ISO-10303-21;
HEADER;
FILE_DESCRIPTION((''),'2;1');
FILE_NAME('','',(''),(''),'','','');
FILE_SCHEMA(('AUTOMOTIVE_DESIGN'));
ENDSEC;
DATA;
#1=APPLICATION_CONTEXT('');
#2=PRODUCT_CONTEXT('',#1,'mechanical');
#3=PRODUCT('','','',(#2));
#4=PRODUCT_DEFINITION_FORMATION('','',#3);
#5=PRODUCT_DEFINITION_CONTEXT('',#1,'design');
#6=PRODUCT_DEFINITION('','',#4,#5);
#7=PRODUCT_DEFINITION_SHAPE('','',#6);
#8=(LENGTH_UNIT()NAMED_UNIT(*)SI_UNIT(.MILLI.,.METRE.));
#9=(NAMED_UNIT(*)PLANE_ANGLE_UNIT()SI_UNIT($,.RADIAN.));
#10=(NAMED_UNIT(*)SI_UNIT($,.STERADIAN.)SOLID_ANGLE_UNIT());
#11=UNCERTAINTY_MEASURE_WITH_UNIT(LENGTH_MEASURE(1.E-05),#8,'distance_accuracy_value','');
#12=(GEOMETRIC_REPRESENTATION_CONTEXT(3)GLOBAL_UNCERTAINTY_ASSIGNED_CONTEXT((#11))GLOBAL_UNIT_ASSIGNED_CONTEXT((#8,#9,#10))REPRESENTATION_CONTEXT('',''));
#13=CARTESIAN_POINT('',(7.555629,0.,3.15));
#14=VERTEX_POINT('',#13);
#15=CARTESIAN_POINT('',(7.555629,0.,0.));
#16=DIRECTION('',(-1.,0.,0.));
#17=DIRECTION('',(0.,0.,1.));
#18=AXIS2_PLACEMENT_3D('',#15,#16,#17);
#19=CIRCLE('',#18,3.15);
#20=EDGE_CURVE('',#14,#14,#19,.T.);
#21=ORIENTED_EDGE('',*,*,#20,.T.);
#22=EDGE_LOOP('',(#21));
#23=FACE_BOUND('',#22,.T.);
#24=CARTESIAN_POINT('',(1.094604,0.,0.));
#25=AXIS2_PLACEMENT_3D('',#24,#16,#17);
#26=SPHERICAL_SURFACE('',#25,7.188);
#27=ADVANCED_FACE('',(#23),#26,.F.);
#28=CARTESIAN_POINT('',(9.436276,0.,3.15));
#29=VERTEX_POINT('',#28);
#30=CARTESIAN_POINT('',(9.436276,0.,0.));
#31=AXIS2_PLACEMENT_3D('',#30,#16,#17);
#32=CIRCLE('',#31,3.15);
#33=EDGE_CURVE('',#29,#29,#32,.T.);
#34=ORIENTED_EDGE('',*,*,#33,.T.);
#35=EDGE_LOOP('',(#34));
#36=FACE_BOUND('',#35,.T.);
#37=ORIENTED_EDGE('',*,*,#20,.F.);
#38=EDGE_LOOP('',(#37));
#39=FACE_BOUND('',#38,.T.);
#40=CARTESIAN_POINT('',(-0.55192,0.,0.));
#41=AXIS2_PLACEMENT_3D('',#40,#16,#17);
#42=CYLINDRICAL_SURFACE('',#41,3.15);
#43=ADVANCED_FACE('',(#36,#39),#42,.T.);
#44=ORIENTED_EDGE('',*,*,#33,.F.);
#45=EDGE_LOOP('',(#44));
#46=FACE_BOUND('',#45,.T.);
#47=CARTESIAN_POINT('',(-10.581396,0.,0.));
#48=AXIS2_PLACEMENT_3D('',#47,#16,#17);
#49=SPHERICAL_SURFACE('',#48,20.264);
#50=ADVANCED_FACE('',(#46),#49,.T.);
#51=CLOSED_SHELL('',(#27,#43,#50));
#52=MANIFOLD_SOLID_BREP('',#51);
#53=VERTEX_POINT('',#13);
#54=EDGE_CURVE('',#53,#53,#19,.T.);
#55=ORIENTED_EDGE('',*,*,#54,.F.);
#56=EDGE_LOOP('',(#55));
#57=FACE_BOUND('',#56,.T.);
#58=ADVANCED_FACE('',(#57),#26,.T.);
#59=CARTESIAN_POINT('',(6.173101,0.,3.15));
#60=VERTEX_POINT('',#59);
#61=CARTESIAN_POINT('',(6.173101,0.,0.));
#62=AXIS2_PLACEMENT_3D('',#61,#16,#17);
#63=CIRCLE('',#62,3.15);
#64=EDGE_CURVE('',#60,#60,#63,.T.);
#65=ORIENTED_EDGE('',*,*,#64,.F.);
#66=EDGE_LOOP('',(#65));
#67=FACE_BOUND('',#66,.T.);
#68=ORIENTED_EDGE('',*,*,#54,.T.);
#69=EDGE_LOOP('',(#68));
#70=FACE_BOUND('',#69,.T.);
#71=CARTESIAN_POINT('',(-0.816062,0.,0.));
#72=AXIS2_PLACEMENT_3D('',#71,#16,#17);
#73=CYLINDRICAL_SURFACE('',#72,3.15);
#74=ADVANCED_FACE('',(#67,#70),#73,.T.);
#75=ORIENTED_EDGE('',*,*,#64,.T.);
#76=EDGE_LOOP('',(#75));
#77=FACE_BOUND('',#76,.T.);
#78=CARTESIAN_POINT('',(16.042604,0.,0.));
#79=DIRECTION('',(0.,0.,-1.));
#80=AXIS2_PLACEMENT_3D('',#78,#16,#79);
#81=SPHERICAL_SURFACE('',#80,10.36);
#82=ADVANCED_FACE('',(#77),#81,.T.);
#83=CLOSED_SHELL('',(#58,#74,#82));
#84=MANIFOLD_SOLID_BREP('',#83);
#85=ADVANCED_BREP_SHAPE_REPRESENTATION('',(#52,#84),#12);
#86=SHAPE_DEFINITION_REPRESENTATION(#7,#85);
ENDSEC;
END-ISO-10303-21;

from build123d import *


with BuildPart() as part:
    # 草图1 one side → 旋转1 (revolve)
    with BuildSketch(Plane(origin=(0, 0, 0), x_dir=(1, 0, 0), z_dir=(0, 1, 0)), mode=Mode.PRIVATE) as revolve_1_sk:
        with BuildLine():
            ThreePointArc((6.173100806, 3.15), (5.805962884, 1.593979829), (5.68260434, 0))
            Line((5.68260434, 0), (8.28260434, 0))
            ThreePointArc((8.28260434, 0), (8.098502957, 1.616399754), (7.555629336, 3.15))
            Line((7.555629336, 3.15), (6.173100806, 3.15))
        make_face()
    revolve(revolve_1_sk.sketch.rotate(Axis((-0.816062176, 0, 0), (1, 0, 0)), 180), axis=Axis((-0.816062176, 0, 0), (1, 0, 0)))  # turned: the seam where the file's is


with BuildPart() as body_2:
    # 草图2 one side → 旋转3 (revolve)
    with BuildSketch(Plane(origin=(0, 0, 0), x_dir=(1, 0, 0), z_dir=(0, 1, 0)), mode=Mode.PRIVATE) as revolve_3_sk:
        with BuildLine():
            Line((9.436276432, 3.15), (7.555629336, 3.15))
            ThreePointArc((7.555629336, 3.15), (8.098502957, 1.616399754), (8.28260434, 0))
            Line((8.28260434, 0), (9.68260434, 0))
            ThreePointArc((9.68260434, 0), (9.620928504, 1.57980833), (9.436276432, 3.15))
        make_face()
    revolve(revolve_3_sk.sketch.rotate(Axis((-0.551919993, 0, 0), (1, 0, 0)), 180), axis=Axis((-0.551919993, 0, 0), (1, 0, 0)))  # turned: the seam where the file's is


solid = Compound([part.part, body_2.part])
